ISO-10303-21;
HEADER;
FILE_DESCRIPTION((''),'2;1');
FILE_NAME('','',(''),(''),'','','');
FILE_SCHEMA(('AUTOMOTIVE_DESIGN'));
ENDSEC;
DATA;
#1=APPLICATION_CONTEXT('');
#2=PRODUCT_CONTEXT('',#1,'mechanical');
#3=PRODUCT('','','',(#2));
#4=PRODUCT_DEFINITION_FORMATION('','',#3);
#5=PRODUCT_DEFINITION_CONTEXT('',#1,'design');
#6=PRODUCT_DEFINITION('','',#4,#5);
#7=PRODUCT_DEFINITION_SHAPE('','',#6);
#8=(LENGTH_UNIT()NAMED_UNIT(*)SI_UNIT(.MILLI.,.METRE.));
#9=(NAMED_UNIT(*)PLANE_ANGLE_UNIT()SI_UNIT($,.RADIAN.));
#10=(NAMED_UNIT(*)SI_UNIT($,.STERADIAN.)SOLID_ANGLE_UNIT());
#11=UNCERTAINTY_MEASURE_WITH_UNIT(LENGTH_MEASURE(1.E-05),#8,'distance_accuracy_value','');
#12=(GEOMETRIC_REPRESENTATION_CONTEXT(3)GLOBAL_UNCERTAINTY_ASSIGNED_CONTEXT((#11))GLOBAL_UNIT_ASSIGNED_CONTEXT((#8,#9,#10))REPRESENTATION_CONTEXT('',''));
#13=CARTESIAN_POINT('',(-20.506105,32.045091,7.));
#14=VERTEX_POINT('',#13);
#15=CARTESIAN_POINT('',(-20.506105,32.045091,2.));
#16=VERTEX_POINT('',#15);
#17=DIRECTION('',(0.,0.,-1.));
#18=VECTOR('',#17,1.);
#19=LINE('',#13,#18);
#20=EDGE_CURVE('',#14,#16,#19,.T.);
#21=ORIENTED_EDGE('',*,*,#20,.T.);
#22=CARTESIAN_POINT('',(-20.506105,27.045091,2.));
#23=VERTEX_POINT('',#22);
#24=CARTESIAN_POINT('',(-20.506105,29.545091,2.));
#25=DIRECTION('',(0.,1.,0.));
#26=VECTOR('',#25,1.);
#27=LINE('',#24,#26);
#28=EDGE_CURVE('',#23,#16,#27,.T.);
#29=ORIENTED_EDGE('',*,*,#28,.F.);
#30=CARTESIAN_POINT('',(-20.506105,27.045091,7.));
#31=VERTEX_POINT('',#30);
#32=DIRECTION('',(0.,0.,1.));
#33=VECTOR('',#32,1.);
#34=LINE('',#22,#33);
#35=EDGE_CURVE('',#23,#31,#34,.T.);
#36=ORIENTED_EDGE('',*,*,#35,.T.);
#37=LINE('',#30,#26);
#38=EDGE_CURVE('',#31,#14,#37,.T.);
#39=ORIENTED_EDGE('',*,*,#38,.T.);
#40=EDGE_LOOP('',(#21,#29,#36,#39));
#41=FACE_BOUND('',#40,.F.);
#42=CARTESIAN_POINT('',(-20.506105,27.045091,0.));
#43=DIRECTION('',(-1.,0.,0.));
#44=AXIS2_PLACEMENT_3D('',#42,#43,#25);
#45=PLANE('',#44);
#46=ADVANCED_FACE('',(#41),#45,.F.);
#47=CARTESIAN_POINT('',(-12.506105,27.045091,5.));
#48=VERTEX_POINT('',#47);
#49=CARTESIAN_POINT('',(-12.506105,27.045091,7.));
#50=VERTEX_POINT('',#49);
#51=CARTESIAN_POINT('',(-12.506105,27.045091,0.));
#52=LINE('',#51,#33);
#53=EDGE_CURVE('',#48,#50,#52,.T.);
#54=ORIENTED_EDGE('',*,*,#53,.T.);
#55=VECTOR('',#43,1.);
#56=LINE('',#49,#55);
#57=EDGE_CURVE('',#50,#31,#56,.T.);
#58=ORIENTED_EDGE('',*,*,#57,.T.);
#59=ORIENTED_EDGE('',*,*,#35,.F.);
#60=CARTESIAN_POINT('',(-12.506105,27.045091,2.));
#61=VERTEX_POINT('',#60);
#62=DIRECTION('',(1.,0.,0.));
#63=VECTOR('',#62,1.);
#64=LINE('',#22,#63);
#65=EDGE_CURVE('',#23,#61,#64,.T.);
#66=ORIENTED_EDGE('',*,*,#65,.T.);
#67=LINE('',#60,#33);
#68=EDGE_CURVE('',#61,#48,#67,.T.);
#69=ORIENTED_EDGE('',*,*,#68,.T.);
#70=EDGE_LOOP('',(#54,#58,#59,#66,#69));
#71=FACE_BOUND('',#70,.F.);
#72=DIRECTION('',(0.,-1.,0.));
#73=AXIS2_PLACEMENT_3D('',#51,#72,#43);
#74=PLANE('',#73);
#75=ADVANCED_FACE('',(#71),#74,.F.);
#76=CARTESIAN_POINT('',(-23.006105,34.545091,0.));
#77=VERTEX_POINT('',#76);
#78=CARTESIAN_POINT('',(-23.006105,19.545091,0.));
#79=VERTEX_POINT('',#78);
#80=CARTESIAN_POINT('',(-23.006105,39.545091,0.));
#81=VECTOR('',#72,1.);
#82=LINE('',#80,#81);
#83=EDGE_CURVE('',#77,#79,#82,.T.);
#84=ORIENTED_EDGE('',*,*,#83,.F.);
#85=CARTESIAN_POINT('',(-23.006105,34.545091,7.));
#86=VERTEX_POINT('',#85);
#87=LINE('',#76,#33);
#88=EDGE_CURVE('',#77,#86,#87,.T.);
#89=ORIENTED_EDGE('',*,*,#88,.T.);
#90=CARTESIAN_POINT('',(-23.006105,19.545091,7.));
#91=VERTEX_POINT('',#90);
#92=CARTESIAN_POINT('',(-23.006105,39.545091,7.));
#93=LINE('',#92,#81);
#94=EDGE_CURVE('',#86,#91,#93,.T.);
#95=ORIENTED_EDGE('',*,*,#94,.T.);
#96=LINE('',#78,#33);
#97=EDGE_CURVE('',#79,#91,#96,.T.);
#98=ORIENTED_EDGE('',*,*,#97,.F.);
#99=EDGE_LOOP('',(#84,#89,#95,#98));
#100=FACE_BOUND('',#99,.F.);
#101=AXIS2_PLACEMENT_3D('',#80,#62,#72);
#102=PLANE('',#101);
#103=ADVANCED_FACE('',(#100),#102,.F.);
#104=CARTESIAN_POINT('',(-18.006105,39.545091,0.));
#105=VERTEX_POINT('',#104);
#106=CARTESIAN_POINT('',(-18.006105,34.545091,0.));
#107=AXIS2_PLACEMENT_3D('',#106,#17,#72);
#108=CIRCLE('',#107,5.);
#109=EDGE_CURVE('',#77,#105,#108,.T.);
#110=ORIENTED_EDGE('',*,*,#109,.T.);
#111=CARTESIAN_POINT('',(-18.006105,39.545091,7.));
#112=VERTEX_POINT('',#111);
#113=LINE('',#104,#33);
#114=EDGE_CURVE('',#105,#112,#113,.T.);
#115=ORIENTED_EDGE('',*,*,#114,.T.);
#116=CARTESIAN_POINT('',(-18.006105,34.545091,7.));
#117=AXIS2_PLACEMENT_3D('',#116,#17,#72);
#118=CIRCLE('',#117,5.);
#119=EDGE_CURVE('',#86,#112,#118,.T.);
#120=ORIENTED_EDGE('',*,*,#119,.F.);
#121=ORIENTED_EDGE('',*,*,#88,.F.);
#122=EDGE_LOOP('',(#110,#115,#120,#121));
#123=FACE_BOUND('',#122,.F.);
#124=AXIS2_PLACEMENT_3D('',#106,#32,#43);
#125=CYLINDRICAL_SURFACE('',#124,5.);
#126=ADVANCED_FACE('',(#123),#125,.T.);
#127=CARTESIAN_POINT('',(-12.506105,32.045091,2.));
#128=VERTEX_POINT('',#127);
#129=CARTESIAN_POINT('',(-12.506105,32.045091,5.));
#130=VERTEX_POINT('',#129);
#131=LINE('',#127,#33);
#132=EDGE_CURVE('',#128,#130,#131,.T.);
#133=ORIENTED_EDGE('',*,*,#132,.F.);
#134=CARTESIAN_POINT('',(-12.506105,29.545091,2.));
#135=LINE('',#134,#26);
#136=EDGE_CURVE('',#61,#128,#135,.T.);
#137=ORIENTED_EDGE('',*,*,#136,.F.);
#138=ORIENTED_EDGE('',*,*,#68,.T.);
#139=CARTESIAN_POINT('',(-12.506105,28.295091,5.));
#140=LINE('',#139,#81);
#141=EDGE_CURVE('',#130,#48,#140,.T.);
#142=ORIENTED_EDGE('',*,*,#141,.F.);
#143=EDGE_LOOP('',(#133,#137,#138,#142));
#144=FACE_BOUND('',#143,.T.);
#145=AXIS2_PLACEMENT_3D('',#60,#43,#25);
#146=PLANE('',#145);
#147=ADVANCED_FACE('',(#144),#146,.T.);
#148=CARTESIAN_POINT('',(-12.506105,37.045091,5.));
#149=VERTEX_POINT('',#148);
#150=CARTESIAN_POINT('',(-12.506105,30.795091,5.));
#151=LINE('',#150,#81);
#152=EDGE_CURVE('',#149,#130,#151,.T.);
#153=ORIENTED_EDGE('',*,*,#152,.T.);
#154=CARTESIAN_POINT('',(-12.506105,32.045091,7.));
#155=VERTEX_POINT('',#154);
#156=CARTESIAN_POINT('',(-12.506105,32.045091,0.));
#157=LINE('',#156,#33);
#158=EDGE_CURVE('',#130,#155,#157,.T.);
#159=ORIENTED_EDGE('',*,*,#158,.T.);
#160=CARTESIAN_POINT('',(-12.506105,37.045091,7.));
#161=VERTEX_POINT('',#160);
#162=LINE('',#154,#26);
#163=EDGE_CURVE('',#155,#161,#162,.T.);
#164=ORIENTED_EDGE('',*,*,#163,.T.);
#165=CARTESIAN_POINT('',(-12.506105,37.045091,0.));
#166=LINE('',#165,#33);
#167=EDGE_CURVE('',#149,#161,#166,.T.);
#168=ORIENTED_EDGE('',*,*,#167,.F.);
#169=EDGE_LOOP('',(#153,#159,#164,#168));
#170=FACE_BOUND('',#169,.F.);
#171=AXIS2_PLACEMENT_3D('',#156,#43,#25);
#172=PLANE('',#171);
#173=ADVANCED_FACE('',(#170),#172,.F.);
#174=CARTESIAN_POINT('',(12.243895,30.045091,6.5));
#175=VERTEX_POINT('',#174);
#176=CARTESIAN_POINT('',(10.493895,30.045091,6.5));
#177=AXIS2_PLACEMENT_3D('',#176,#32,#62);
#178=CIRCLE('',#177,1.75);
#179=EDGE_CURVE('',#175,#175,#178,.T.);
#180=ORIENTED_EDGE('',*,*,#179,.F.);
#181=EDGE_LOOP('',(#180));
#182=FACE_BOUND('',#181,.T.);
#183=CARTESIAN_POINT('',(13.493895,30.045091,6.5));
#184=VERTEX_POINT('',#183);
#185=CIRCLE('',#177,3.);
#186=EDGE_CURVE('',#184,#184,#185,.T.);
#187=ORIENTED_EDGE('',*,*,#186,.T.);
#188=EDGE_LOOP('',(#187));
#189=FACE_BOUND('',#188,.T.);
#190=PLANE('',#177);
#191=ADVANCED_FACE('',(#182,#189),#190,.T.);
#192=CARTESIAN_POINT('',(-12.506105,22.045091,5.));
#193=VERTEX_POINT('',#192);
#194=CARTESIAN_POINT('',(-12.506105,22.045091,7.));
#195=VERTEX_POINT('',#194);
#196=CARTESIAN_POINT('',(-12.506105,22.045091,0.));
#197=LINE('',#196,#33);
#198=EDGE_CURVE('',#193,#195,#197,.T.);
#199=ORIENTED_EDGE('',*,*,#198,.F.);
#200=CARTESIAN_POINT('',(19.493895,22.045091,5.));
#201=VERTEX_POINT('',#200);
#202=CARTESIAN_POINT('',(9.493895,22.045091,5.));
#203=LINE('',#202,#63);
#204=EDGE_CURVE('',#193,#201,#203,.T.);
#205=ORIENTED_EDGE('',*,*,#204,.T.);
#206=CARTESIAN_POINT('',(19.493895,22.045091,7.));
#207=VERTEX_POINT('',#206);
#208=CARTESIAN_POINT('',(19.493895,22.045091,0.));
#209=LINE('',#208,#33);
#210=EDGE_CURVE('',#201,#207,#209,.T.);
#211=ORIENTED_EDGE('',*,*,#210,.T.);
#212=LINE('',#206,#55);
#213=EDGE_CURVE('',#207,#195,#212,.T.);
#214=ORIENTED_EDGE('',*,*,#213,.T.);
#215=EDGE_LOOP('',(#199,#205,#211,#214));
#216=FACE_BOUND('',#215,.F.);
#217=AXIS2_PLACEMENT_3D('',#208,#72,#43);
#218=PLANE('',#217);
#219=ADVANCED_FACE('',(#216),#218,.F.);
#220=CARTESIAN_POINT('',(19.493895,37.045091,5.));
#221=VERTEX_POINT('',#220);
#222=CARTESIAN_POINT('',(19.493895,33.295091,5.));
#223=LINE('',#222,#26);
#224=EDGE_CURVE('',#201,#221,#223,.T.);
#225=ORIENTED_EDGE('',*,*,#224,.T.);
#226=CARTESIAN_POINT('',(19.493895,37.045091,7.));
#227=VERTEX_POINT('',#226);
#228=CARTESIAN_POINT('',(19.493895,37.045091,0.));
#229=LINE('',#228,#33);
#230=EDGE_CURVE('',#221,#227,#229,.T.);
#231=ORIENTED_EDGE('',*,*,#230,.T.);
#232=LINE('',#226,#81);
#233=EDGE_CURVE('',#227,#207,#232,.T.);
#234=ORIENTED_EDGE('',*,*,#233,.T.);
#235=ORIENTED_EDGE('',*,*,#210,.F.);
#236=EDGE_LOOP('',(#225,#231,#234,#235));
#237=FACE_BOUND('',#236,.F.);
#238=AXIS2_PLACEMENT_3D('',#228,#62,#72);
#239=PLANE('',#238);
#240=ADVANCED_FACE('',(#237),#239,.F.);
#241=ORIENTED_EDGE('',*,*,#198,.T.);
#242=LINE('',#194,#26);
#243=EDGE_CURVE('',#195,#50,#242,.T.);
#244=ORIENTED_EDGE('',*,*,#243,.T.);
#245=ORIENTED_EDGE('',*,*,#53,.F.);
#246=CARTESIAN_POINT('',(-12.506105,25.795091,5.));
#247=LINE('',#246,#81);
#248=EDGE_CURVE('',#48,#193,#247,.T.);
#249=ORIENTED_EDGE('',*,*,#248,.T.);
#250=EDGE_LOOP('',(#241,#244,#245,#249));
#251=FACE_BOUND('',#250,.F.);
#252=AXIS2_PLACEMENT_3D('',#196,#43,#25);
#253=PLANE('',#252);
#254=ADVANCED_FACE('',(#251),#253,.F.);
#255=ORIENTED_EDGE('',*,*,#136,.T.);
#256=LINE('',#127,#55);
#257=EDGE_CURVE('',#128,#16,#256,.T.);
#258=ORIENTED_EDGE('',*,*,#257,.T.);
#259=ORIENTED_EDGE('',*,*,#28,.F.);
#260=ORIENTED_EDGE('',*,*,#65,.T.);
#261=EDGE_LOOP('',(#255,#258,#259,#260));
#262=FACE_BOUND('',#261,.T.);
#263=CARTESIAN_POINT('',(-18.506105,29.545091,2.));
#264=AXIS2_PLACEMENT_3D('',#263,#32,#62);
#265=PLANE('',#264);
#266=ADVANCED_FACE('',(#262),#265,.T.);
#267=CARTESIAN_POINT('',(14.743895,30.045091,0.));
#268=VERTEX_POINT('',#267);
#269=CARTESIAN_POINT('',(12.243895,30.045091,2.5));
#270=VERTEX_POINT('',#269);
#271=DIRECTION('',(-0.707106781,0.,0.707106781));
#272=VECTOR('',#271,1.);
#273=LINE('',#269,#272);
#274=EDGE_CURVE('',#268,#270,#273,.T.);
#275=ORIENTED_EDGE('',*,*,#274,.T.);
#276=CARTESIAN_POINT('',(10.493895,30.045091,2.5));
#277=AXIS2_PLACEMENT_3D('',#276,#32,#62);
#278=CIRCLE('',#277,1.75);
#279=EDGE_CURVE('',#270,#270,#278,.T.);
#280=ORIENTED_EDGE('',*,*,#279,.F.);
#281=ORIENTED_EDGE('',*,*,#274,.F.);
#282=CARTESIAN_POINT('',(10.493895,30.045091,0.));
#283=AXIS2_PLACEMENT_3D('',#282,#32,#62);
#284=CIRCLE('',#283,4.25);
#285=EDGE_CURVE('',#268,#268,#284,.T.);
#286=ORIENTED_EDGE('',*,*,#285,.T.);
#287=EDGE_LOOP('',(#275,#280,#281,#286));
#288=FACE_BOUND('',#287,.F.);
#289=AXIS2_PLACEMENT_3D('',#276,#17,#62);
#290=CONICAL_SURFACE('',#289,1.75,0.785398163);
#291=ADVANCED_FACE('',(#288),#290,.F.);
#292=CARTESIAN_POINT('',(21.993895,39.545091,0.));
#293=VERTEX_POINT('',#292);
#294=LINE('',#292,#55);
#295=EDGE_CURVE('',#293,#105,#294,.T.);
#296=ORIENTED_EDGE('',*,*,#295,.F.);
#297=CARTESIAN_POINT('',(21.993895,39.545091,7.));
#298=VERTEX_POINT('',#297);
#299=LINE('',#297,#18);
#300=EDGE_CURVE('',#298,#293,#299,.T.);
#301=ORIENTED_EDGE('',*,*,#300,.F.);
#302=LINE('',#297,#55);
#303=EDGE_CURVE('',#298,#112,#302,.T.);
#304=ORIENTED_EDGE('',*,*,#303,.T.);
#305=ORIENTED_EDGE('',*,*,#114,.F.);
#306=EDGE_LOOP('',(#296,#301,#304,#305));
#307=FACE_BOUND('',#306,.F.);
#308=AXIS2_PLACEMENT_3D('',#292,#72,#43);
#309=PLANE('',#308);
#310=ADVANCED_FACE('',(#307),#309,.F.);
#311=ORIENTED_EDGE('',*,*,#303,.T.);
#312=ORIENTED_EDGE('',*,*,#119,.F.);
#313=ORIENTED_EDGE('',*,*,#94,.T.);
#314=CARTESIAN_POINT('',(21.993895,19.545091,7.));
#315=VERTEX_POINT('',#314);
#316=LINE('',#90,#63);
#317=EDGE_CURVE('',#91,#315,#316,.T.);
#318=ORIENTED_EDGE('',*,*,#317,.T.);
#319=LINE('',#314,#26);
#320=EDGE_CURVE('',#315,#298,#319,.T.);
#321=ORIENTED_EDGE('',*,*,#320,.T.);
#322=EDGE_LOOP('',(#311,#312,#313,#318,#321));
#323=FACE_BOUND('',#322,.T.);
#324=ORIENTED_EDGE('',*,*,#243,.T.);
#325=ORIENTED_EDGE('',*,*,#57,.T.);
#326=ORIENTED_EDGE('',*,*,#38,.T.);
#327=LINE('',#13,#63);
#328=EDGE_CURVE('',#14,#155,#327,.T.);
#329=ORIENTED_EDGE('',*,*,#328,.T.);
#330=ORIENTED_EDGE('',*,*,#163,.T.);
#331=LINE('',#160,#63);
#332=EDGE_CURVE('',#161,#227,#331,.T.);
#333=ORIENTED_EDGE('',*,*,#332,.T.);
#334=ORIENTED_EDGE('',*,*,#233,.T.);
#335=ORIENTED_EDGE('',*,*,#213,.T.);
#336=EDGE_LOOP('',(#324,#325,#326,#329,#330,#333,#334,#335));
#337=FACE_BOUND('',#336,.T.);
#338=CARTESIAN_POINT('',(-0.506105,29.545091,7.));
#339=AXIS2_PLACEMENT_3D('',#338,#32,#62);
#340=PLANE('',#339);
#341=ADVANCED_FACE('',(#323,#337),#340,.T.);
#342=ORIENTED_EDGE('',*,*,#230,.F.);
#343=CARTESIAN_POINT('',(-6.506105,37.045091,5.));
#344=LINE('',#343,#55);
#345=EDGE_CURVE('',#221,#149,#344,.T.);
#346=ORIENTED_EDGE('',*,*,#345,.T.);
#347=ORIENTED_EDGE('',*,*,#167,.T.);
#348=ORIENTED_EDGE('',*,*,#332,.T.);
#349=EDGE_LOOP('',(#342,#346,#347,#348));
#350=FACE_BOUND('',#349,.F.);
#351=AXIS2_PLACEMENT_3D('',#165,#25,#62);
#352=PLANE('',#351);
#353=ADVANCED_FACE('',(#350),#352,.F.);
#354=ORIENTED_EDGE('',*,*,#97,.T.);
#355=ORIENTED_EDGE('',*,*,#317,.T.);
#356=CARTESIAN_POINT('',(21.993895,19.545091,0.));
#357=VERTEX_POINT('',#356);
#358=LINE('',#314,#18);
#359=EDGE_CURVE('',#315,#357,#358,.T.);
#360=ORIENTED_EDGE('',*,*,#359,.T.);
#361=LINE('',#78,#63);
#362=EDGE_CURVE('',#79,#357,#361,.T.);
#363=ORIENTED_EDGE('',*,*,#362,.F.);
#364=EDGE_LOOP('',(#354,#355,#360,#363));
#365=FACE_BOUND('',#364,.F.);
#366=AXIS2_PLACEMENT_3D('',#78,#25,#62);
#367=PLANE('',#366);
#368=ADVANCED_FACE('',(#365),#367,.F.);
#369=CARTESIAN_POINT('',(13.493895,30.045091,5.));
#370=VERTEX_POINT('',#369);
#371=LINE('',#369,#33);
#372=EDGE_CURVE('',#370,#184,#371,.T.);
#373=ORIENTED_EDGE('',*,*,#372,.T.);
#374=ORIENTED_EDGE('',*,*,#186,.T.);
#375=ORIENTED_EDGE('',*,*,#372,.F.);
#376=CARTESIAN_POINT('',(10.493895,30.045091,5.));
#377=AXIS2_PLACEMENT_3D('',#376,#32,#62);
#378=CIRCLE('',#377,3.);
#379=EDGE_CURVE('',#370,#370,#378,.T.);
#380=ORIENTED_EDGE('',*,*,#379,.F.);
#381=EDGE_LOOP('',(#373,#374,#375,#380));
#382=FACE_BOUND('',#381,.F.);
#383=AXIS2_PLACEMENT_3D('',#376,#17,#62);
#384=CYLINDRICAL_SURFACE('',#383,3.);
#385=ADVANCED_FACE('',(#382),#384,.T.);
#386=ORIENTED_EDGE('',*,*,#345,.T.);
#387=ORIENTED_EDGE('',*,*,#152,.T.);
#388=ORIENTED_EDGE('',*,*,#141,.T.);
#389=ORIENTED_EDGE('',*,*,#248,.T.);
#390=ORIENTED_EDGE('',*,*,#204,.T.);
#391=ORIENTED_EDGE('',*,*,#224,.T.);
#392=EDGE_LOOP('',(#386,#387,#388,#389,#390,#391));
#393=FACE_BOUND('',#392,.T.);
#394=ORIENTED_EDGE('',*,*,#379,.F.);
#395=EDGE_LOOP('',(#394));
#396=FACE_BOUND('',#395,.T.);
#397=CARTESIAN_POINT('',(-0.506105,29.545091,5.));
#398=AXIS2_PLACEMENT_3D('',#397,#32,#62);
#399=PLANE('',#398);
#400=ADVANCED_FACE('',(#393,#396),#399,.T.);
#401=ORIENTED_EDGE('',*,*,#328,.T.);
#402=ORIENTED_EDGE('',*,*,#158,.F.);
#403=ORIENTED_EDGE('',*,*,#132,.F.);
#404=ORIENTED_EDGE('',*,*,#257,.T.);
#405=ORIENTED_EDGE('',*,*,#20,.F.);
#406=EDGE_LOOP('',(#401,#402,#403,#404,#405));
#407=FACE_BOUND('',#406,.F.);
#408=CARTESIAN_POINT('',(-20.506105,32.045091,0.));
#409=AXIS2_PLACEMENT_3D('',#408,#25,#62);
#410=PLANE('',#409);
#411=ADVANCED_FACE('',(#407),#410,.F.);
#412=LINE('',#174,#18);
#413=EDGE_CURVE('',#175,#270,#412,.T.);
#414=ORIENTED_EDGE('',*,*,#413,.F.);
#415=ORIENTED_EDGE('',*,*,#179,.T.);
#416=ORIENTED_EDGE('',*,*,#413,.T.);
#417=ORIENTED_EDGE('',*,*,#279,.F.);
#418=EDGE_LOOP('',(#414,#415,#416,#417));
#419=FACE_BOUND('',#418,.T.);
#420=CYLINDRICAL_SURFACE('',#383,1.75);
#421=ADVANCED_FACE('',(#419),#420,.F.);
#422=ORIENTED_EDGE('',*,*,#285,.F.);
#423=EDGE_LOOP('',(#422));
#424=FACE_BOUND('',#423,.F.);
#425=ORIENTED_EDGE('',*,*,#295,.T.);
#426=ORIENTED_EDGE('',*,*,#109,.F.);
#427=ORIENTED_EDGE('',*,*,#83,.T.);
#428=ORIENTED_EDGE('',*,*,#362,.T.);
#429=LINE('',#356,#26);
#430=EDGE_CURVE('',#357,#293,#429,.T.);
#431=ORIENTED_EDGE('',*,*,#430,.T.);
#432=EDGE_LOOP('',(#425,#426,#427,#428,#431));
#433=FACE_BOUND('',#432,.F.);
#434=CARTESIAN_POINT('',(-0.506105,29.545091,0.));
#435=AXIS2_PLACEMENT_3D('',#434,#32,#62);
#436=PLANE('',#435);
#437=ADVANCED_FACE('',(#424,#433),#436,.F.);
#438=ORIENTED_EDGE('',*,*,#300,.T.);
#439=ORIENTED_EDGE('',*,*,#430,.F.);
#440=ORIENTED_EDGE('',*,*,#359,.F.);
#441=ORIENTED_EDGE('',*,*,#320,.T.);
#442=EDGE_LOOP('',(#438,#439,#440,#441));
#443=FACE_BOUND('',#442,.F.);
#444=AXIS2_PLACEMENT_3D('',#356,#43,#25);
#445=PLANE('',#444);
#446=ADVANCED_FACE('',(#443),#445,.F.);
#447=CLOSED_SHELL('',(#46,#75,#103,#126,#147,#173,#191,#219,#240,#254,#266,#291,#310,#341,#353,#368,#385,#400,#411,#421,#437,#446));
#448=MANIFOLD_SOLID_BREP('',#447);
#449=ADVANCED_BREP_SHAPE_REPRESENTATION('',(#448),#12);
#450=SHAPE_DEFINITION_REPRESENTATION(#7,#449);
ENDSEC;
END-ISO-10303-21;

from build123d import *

# Parameters (mm, degrees)
F0_W      = 4
F0_H      = 5
F0_R      = 3
F0_R_2    = 1.75
F1_DEPTH  = 5
F2_DEPTH  = 7
F3_START  = 2
F1_FACE_R = 1.75
F3_DEPTH  = 6.5
F4_SIZE   = 2.5
F5_START  = 5
F5_DEPTH  = 1.5
F6_R      = 5


with BuildPart() as f1:
    # F0 (on Top) → F1 (new body)
    with BuildSketch(Plane.XY):
        Polygon((21.9938950613, 39.5450913161), (-23.0061049387, 39.5450913161), (-23.0061049387, 19.5450913161), (-9.9312635139, 19.5450913161), (10.0687364861, 19.5450913161), (21.9938950613, 19.5450913161), align=None)
        Polygon((-12.5061049387, 32.0450913161), (-12.5061049387, 37.0450913161), (19.4938950613, 37.0450913161), (19.4938950613, 22.0450913161), (-12.5061049387, 22.0450913161), (-12.5061049387, 27.0450913161), (-16.5061049387, 27.0450913161), (-20.5061049387, 27.0450913161), (-20.5061049387, 32.0450913161), (-16.5061049387, 32.0450913161), align=None, mode=Mode.SUBTRACT)
        with Locations((-18.5061049387, 29.5450913161)):
            Rectangle(F0_W, F0_H)
        with Locations((-14.5061049387, 29.5450913161)):
            Rectangle(F0_W, F0_H)
        Polygon((19.4938950613, 37.0450913161), (-12.5061049387, 37.0450913161), (-12.5061049387, 32.0450913161), (-12.5061049387, 27.0450913161), (-12.5061049387, 22.0450913161), (19.4938950613, 22.0450913161), align=None)
        with Locations((10.4938950613, 30.0450913161)):
            Circle(F0_R, mode=Mode.SUBTRACT)
        with Locations((10.4938950613, 30.0450913161)):
            Circle(F0_R)
        with Locations((10.4938950613, 30.0450913161)):
            Circle(F0_R_2, mode=Mode.SUBTRACT)
    extrude(amount=F1_DEPTH)

    # F0 (on Top) → F2 (join)
    with BuildSketch(Plane.XY):
        Polygon((21.9938950613, 39.5450913161), (-23.0061049387, 39.5450913161), (-23.0061049387, 19.5450913161), (-9.9312635139, 19.5450913161), (10.0687364861, 19.5450913161), (21.9938950613, 19.5450913161), align=None)
        Polygon((-12.5061049387, 32.0450913161), (-12.5061049387, 37.0450913161), (19.4938950613, 37.0450913161), (19.4938950613, 22.0450913161), (-12.5061049387, 22.0450913161), (-12.5061049387, 27.0450913161), (-16.5061049387, 27.0450913161), (-20.5061049387, 27.0450913161), (-20.5061049387, 32.0450913161), (-16.5061049387, 32.0450913161), align=None, mode=Mode.SUBTRACT)
    extrude(amount=F2_DEPTH)

    # F0 (on Top) + F1_face (on face) → F3 (cut)
    with BuildSketch(Plane.XY.offset(F3_START)):
        with Locations((-18.5061049387, 29.5450913161)):
            Rectangle(F0_W, F0_H)
        with Locations((-14.5061049387, 29.5450913161)):
            Rectangle(F0_W, F0_H)
    with BuildSketch(Plane(origin=(1.7944753963, 29.5356658402, 5), x_dir=(1, 0, 0), z_dir=(0, 0, 1)).offset(F3_START)):
        Polygon((-22.300580335, -2.4905745241), (-14.300580335, -2.4905745241), (-14.300580335, -7.4905745241), (17.699419665, -7.4905745241), (17.699419665, 7.5094254759), (-14.300580335, 7.5094254759), (-14.300580335, 2.5094254759), (-22.300580335, 2.5094254759), align=None)
        with Locations((8.699419665, 0.5094254759)):
            Circle(F1_FACE_R, mode=Mode.SUBTRACT)
    extrude(amount=F3_DEPTH, mode=Mode.SUBTRACT)

    # F4
    f4_edges = [f1.edges().sort_by_distance(p)[0] for p in [
        (8.743895, 30.045091, 0),
    ]]
    chamfer(f4_edges, length=F4_SIZE)

    # F0 (on Top) → F5 (join)
    with BuildSketch(Plane.XY.offset(F5_START)):
        with Locations((10.4938950613, 30.0450913161)):
            Circle(F0_R)
        with Locations((10.4938950613, 30.0450913161)):
            Circle(F0_R_2, mode=Mode.SUBTRACT)
    extrude(amount=F5_DEPTH)

    # F6
    f6_edges = [f1.edges().sort_by_distance(p)[0] for p in [
        (-23.006105, 39.545091, 3.5),
    ]]
    fillet(f6_edges, radius=F6_R)


solid = f1.part
